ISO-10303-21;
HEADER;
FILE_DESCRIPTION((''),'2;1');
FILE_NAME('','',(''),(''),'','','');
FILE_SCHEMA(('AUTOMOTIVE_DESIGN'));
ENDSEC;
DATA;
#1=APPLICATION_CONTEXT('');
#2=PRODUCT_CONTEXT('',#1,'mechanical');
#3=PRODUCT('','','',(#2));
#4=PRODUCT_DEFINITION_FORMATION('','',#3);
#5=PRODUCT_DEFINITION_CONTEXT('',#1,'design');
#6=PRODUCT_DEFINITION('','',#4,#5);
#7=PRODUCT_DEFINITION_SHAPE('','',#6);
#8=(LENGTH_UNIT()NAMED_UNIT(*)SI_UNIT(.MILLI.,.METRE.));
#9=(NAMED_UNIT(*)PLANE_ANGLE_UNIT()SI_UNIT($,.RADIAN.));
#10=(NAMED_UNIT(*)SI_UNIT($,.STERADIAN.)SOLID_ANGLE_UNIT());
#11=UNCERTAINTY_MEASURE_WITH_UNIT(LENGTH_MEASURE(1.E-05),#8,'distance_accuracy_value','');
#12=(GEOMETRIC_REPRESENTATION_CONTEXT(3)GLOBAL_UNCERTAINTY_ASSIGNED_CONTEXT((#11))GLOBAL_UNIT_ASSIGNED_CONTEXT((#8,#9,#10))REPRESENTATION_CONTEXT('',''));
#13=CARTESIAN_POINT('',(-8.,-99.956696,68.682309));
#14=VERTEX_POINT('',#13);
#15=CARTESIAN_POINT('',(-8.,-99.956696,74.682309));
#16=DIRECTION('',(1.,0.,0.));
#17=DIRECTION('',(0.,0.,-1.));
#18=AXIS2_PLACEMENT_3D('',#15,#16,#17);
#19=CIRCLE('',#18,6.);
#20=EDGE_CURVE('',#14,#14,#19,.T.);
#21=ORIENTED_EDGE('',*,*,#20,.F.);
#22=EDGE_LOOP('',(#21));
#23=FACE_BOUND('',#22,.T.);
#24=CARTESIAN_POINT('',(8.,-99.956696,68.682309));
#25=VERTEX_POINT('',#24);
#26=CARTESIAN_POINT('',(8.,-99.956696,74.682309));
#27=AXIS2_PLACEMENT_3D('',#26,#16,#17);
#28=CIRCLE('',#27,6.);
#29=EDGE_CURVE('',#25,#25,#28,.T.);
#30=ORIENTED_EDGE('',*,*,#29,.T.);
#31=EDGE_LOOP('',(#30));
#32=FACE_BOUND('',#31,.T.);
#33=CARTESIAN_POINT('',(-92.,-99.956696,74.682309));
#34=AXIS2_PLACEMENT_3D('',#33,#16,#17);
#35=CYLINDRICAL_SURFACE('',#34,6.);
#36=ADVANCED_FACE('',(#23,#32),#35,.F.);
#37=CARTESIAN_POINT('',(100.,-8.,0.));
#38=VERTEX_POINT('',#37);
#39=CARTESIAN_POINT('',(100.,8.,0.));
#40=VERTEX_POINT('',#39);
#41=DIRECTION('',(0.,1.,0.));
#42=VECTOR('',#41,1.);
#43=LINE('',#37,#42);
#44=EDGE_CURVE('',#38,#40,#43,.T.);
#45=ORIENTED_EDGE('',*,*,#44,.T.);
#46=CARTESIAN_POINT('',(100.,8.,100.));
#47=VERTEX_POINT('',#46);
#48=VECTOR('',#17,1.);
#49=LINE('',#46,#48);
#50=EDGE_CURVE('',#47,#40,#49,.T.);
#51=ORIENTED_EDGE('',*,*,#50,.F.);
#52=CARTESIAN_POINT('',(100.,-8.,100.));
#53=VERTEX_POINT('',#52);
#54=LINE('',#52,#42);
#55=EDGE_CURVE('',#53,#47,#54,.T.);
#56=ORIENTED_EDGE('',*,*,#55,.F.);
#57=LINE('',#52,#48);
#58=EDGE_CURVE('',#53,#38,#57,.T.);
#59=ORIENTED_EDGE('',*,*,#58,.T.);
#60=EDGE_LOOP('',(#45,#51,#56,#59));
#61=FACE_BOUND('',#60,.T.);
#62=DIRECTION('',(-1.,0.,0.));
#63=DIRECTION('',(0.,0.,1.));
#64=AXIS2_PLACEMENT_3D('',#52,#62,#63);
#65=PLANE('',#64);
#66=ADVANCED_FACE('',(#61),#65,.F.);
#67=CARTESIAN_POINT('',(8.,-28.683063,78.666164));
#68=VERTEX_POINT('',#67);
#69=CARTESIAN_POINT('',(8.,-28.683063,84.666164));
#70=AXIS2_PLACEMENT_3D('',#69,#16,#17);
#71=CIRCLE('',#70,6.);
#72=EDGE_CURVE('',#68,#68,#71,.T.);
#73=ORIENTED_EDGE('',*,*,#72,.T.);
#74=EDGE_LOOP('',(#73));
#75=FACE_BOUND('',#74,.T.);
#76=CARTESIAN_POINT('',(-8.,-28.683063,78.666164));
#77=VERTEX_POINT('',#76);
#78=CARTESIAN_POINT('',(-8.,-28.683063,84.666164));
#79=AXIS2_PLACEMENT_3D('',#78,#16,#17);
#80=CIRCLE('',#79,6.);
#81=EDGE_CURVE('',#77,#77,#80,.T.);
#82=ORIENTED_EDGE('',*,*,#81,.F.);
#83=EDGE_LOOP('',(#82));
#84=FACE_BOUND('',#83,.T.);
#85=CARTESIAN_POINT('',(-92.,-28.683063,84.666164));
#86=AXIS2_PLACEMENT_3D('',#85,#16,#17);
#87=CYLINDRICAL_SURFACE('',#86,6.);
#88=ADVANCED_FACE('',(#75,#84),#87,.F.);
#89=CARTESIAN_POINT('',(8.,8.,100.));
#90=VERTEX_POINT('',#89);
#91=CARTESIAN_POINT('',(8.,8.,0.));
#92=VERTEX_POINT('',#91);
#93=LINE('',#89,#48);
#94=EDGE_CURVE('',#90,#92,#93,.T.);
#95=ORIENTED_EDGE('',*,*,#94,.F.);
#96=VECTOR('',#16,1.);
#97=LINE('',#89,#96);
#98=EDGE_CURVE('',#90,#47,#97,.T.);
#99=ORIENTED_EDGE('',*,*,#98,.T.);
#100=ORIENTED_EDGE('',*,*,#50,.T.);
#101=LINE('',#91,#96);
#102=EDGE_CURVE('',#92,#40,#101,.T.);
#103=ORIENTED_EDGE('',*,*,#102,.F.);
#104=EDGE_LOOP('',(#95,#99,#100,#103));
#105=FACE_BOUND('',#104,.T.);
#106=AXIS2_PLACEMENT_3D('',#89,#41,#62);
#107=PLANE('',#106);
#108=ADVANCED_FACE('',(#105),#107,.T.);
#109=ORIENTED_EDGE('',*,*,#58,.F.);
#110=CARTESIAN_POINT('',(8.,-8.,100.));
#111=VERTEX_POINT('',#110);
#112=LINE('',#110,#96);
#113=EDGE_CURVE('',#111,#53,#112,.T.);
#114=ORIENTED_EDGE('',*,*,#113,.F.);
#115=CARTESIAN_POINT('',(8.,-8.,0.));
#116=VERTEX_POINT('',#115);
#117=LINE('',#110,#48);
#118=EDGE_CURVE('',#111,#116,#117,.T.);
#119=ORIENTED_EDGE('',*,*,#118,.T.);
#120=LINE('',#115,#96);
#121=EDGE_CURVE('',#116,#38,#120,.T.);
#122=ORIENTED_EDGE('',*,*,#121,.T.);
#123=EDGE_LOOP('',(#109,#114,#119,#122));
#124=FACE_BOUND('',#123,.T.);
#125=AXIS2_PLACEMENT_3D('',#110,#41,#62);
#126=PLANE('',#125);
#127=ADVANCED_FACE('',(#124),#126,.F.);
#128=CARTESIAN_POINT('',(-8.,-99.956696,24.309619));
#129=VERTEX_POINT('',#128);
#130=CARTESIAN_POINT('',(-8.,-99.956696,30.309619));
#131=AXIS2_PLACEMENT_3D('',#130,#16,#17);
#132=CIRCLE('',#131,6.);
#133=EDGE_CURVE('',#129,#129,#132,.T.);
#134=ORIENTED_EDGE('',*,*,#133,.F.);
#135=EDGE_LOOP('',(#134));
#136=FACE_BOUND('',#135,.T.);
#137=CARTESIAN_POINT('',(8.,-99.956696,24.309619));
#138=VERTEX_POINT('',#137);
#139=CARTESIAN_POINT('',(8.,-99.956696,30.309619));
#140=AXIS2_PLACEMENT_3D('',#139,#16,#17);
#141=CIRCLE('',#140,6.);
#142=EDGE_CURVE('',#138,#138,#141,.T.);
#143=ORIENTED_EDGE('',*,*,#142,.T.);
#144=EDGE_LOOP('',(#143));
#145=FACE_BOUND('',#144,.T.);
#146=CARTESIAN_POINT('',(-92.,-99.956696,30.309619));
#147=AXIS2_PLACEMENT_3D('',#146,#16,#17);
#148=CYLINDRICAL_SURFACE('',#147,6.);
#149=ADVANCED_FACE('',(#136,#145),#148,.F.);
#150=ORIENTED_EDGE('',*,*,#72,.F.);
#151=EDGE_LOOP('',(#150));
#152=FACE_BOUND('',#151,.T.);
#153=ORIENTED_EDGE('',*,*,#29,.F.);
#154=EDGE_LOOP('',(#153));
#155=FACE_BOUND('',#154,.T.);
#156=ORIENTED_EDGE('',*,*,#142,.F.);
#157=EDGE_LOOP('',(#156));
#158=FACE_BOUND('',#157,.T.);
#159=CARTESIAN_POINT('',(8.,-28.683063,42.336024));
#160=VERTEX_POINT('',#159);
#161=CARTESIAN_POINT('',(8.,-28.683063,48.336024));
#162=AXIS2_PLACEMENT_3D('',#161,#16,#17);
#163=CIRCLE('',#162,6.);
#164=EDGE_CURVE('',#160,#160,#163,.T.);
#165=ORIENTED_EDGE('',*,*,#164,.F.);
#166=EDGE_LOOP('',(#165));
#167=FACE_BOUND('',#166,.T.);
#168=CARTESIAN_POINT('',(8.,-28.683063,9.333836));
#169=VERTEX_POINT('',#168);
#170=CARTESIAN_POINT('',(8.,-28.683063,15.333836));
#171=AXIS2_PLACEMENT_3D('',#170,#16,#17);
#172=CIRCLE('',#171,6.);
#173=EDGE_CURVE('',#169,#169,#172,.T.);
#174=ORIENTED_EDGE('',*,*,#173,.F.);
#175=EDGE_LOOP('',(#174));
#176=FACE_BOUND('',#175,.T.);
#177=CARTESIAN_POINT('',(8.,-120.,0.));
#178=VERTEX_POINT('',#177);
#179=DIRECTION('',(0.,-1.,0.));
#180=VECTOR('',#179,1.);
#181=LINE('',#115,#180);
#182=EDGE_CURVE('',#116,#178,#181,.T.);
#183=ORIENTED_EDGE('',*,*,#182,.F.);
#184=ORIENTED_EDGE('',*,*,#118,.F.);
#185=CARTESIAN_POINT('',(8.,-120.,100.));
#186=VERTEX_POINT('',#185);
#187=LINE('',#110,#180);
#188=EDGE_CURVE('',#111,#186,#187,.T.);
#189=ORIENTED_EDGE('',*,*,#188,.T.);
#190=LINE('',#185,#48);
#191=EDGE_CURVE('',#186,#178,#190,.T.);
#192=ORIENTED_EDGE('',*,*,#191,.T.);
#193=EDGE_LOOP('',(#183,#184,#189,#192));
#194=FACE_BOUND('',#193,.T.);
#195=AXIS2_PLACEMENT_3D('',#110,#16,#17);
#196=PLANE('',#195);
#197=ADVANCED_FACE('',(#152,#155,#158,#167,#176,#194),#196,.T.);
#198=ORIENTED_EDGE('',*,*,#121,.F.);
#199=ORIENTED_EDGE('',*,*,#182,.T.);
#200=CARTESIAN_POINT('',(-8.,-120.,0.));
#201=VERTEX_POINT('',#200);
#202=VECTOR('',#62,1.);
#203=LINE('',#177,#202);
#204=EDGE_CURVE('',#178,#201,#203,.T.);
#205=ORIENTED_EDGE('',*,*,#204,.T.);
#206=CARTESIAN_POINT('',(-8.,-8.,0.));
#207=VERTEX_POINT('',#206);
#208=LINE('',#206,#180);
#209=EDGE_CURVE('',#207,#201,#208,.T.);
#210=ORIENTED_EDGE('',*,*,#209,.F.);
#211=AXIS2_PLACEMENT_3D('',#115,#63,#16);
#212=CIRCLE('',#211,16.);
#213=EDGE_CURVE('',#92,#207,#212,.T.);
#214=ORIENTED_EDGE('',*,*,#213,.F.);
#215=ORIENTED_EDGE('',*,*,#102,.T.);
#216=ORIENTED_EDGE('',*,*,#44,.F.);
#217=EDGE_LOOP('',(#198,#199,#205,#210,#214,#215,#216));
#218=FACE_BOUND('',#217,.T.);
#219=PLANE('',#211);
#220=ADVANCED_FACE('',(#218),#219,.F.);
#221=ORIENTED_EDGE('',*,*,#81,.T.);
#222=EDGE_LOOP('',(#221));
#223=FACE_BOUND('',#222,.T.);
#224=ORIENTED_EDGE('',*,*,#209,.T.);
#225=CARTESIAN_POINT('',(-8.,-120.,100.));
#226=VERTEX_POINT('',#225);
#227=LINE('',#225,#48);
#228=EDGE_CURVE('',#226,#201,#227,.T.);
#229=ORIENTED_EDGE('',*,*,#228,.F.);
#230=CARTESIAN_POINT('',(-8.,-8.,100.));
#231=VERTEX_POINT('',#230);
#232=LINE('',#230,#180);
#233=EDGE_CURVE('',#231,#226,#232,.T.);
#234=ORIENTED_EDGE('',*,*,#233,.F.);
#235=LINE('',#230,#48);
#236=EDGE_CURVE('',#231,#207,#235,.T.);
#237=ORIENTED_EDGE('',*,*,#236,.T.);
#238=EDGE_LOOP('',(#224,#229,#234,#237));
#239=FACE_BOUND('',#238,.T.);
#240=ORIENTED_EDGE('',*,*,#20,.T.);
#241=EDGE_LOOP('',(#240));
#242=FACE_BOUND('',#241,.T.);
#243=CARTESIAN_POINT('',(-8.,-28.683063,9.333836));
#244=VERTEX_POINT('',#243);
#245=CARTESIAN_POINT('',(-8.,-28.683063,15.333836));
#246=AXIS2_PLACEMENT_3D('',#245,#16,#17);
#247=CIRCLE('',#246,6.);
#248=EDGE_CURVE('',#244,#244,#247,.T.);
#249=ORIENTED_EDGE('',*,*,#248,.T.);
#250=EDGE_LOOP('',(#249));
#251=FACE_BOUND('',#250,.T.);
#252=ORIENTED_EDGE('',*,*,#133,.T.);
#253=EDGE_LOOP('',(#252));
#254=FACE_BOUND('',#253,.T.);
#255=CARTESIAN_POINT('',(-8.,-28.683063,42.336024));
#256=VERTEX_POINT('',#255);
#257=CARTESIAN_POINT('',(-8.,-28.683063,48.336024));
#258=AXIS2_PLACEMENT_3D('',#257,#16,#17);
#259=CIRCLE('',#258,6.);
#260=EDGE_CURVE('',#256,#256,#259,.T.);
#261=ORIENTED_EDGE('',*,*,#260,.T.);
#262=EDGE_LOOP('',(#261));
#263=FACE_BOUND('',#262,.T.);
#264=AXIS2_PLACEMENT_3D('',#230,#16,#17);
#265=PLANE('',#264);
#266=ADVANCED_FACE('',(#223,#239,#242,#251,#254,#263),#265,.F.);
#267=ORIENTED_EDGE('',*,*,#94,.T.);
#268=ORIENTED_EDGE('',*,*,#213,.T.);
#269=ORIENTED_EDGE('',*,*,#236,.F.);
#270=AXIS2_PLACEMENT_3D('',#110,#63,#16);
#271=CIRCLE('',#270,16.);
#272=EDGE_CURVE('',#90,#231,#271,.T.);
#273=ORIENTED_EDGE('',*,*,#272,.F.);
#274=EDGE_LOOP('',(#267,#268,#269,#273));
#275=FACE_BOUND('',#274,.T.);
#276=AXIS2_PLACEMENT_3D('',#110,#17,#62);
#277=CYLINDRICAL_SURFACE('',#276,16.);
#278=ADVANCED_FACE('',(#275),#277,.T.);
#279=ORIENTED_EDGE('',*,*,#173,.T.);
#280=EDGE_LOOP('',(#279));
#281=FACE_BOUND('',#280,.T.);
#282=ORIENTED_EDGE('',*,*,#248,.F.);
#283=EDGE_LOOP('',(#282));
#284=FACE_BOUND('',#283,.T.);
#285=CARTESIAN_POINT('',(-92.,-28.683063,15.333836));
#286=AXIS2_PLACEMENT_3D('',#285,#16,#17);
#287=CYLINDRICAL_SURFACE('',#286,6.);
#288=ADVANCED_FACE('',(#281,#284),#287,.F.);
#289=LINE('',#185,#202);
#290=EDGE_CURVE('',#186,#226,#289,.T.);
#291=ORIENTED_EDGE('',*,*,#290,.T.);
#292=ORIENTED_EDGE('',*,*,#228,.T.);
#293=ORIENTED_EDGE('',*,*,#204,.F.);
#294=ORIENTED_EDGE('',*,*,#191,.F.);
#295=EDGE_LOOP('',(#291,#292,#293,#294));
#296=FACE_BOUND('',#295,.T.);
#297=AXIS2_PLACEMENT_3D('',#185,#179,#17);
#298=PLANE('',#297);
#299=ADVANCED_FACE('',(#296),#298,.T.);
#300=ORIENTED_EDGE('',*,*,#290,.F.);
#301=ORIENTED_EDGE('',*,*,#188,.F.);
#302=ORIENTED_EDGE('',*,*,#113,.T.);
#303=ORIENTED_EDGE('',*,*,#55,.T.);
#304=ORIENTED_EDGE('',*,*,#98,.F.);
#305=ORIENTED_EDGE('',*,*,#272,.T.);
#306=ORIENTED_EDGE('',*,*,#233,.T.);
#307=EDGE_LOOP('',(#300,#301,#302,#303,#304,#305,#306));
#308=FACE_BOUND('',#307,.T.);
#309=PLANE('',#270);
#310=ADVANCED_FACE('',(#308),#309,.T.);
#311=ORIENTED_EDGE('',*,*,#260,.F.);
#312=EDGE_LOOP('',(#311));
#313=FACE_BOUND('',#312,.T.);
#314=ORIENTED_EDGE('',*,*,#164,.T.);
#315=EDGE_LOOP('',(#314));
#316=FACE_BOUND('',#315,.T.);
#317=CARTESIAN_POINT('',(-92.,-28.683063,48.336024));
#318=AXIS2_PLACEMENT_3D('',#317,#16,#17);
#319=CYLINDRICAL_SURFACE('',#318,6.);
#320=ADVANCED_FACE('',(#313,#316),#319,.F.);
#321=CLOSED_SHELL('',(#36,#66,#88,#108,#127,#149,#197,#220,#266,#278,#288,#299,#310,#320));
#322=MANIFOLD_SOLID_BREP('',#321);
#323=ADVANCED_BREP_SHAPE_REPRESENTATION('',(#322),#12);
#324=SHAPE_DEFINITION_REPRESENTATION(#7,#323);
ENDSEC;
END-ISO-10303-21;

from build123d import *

# Parameters (mm, degrees)
SALIENTE_EXTRUIR1_DEPTH = 100
CROQUIS2_R              = 6
CORTAR_EXTRUIR1_DEPTH   = 100


with BuildPart() as part:
    # Croquis1 → Saliente-Extruir1 (new body)
    with BuildSketch(Plane.XY):
        with BuildLine():
            Line((8, -8), (8, -120))
            Line((8, -120), (-8, -120))
            Line((-8, -120), (-8, -8))
            ThreePointArc((-8, -8), (-3.313708499, 3.313708499), (8, 8))
            Line((8, 8), (100, 8))
            Line((100, 8), (100, -8))
            Line((100, -8), (8, -8))
        make_face()
    extrude(amount=SALIENTE_EXTRUIR1_DEPTH)

    # Croquis2 → Cortar-Extruir1 (cut)
    with BuildSketch(Plane(origin=(8, 0, 0), x_dir=(0, 0, -1), z_dir=(1, 0, 0))):
        with Locations((-84.666164139, -28.683062658)):
            Circle(CROQUIS2_R)
        with Locations((-48.336024121, -28.683062658)):
            Circle(CROQUIS2_R)
        with Locations((-15.333835861, -28.683062658)):
            Circle(CROQUIS2_R)
        with Locations((-74.682308867, -99.956696128)):
            Circle(CROQUIS2_R)
        with Locations((-30.309618769, -99.956696128)):
            Circle(CROQUIS2_R)
    extrude(amount=-CORTAR_EXTRUIR1_DEPTH, mode=Mode.SUBTRACT)


solid = part.part
